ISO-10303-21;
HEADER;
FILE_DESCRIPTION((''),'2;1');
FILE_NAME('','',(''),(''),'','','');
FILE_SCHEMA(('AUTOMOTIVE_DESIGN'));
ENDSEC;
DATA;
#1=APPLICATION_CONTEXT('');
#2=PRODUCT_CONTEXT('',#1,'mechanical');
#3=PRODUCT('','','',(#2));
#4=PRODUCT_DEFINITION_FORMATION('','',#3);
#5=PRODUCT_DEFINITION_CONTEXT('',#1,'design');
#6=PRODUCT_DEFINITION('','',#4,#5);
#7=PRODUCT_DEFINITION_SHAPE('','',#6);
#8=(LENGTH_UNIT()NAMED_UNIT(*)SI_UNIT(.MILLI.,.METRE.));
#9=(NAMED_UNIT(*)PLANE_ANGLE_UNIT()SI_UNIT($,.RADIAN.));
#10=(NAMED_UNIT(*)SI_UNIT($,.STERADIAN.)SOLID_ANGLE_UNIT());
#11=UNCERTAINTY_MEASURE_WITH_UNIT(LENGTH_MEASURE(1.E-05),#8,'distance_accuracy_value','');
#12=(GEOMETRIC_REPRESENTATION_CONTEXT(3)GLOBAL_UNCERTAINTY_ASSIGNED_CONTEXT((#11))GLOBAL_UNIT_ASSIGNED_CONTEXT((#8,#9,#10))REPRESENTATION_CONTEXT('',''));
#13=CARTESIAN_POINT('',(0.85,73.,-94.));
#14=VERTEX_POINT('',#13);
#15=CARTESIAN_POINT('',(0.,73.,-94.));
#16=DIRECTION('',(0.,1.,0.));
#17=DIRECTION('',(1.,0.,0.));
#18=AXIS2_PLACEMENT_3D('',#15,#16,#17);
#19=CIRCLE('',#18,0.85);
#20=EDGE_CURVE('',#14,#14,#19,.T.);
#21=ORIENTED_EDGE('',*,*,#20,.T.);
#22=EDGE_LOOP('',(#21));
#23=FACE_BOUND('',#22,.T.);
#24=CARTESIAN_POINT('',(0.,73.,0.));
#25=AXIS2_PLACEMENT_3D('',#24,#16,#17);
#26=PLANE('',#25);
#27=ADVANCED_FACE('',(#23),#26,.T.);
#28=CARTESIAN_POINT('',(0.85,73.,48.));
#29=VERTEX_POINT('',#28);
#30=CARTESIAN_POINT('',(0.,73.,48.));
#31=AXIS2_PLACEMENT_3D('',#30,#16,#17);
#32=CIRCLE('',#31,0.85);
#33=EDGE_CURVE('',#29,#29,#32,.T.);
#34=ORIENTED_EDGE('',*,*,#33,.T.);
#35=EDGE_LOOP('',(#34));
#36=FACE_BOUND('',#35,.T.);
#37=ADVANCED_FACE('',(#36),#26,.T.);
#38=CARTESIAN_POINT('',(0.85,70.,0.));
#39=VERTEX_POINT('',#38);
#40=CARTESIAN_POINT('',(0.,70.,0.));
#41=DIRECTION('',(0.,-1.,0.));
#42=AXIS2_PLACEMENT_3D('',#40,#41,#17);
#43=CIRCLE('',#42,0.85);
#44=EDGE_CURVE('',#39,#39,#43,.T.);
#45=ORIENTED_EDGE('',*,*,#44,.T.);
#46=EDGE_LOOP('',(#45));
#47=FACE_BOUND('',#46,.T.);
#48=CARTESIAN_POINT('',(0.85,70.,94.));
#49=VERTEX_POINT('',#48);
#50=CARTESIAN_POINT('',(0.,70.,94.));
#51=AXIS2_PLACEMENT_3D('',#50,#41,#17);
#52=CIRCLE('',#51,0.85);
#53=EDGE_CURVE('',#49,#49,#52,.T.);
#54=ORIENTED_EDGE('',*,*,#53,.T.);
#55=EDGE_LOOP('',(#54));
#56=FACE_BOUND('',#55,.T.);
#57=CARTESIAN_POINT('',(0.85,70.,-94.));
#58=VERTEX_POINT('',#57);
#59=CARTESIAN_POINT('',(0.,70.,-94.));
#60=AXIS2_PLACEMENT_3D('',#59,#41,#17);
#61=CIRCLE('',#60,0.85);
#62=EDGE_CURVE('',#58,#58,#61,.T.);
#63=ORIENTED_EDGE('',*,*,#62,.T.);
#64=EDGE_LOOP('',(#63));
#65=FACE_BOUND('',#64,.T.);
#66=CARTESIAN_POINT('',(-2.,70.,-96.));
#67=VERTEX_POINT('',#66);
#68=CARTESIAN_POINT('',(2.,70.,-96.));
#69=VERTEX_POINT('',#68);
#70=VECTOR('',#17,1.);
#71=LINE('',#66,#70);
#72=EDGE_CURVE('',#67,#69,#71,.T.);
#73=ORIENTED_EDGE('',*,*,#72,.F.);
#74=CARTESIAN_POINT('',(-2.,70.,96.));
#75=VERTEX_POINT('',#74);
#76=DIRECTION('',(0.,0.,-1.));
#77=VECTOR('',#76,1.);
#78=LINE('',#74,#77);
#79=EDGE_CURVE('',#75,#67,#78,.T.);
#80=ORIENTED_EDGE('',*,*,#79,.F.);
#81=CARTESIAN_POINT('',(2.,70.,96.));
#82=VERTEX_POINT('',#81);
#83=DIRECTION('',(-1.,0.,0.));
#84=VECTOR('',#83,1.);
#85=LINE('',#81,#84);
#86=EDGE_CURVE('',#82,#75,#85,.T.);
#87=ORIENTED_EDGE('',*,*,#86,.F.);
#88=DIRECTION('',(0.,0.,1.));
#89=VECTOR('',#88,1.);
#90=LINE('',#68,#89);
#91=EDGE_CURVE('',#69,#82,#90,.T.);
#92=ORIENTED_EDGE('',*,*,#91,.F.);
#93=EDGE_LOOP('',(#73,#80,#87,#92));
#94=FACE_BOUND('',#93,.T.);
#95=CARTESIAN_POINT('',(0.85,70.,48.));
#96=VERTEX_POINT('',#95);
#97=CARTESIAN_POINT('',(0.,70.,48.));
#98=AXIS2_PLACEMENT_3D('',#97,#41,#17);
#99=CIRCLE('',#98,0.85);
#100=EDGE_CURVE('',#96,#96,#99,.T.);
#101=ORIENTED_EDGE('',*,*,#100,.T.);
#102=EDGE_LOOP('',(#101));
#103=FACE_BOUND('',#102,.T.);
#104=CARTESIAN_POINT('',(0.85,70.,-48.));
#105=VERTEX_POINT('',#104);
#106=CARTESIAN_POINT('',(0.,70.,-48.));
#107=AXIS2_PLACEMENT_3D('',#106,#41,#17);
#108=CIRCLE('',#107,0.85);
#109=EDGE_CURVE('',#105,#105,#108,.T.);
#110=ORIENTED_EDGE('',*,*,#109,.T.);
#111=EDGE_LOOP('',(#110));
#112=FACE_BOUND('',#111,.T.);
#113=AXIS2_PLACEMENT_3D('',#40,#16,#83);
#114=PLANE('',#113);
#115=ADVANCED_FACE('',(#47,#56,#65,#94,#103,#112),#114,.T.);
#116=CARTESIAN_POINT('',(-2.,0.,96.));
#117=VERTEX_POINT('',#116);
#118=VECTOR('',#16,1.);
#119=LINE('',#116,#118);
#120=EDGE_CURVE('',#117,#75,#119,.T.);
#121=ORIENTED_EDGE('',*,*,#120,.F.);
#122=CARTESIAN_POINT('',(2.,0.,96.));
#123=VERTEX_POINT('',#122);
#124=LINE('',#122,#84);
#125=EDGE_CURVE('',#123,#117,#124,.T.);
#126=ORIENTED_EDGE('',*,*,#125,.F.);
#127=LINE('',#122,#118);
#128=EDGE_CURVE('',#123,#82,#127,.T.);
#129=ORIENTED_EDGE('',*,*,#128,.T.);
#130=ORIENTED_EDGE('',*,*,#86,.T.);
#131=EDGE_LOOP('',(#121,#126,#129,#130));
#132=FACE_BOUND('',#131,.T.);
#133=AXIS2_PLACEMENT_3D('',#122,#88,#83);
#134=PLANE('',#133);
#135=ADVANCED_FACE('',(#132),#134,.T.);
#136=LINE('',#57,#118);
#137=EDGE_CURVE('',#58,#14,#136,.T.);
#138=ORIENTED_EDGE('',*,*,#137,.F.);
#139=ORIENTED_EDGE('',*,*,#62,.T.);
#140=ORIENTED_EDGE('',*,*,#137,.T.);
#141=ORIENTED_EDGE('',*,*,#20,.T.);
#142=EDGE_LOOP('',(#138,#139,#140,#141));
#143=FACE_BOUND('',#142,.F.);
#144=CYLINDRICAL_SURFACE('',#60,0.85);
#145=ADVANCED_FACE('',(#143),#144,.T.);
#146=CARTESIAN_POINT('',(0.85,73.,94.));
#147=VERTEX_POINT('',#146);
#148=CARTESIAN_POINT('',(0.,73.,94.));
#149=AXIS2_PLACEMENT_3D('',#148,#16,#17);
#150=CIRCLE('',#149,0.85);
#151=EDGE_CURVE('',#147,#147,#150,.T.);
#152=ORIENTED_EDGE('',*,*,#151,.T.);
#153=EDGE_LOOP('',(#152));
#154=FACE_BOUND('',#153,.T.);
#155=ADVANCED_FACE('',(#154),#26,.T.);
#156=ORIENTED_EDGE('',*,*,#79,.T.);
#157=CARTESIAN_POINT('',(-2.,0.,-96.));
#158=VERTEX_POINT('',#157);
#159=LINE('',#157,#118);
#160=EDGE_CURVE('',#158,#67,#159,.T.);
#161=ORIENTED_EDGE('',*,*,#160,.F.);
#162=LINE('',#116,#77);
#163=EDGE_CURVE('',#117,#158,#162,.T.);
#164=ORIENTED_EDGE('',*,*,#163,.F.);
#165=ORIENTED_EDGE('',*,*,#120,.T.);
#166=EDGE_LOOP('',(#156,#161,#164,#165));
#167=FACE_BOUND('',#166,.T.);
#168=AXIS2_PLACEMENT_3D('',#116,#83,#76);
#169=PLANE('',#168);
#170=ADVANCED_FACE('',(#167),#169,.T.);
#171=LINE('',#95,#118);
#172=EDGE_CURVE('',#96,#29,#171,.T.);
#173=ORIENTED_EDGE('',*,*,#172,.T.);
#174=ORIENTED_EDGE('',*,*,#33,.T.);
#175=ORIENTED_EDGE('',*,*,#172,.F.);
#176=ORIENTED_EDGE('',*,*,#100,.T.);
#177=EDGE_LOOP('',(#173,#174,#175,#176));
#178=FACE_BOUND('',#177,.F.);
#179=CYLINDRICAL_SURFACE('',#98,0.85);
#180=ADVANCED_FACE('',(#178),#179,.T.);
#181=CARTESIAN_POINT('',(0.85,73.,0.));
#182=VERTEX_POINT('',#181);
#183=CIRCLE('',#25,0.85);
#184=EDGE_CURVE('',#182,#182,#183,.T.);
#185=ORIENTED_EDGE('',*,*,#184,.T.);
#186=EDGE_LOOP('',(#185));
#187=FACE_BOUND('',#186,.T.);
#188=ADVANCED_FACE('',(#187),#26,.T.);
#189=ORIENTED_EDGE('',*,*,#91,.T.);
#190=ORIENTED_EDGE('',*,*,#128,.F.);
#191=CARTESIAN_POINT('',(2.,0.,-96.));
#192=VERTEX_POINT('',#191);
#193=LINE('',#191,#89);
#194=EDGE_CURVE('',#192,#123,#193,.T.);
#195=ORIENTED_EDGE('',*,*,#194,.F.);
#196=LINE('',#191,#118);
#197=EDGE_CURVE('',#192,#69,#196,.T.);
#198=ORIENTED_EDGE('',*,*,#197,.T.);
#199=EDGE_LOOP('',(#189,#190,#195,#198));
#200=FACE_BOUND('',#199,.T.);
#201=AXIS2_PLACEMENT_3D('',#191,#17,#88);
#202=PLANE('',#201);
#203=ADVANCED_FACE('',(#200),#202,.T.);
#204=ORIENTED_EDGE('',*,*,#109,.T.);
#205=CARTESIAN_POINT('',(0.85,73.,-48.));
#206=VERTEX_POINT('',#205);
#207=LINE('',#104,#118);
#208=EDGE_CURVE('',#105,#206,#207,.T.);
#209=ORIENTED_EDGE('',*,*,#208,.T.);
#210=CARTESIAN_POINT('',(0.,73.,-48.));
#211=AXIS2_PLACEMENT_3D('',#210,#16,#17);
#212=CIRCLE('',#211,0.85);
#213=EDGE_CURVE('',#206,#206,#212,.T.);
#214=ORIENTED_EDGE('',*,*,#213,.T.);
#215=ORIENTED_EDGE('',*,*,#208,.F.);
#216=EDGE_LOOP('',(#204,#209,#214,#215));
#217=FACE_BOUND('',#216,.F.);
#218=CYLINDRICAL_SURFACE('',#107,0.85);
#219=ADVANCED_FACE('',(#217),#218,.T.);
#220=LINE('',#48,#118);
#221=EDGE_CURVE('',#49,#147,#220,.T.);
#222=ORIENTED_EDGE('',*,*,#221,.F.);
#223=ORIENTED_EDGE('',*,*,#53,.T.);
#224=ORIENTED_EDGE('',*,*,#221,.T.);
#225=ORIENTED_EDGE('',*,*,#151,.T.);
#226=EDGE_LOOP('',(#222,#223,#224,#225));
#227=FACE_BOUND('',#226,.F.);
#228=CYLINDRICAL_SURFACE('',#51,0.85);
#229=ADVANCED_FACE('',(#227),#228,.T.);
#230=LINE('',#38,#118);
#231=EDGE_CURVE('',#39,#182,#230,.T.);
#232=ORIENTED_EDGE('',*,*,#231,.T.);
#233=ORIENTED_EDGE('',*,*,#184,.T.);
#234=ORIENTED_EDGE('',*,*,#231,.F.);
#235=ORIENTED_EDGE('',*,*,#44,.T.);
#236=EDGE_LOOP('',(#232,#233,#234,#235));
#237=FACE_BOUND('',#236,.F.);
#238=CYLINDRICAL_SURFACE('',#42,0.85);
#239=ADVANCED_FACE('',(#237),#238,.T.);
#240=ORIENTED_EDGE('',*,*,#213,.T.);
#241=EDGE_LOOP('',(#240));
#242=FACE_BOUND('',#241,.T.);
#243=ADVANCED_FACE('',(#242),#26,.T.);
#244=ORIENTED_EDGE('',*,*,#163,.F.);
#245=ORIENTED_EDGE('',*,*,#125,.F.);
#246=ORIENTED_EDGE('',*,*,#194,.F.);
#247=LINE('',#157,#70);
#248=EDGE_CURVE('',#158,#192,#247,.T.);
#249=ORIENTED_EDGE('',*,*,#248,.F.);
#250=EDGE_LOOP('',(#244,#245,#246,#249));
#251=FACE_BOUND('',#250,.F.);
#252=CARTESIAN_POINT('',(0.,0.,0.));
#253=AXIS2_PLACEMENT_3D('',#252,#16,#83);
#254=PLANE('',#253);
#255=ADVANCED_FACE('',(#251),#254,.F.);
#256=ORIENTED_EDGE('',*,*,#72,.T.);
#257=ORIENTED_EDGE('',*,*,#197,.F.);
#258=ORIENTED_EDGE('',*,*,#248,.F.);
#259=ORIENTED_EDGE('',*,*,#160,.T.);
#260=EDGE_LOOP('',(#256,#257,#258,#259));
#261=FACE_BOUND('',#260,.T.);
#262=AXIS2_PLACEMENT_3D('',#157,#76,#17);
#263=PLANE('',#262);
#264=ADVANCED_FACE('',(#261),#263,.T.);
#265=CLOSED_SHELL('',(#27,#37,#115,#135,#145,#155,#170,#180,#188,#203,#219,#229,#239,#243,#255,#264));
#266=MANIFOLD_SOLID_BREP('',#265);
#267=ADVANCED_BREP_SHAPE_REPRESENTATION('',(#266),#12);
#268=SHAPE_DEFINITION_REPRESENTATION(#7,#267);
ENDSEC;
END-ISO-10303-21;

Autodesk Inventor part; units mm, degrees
ref_plane "YZ Plane" through (0, 0, 0) normal (1, 0, 0) x (0, 1, 0)
ref_plane "XZ Plane" through (0, 0, 0) normal (0, 1, 0) x (-1, 0, 0)
ref_plane "XY Plane" through (0, 0, 0) normal (0, 0, 1) x (1, 0, 0)
sketch "Sketch1" plane through (0, 0, 0) normal (0, 1, 0) x (-1, 0, 0)
  line L0 (2, -96) -> (-2, -96)
  line L1 (-2, -96) -> (-2, 96)
  line L2 (-2, 96) -> (2, 96)
  line L3 (2, 96) -> (2, -96)
  line L4 (2, -96) -> (-2, 96) construction
  line L5 (-2, -96) -> (2, 96) construction
  circle A0 centre (0, 94) radius 0.85
  circle A1 centre (0, -94) radius 0.85
  circle A2 centre (0, 0) radius 0.85
  circle A3 centre (0, 48) radius 0.85
  circle A4 centre (0, -48) radius 0.85
  point P0 (0, 0)
  dimension "d0" = 192
  dimension "d1" = 4
  dimension "d2" = 1.7
  dimension "d3" = 2
  dimension "d4" = 2
  dimension "d5" = 1.7
  dimension "d6" = 2
  dimension "d7" = 2
  dimension "d8" = 1.7
  dimension "d9" = 96
  dimension "d10" = 2
  dimension "d11" = 1.7
  dimension "d12" = 2
  dimension "d13" = 48
  dimension "d14" = 1.7
  dimension "d15" = 2
  dimension "d16" = 48
extrude "MainBody" add sketch "Sketch1" along normal blind 70
sketch "Sketch2" plane through (0, 70, 0) normal (0, 1, 0) x (1, 0, 0)
  circle A0 centre (0, 0) radius 0.85
extrude "MiddlePole" add sketch "Sketch2" along normal blind 3 and the other way blind 70
sketch "Sketch3" plane through (0, 70, 0) normal (0, 1, 0) x (1, 0, 0)
  circle A0 centre (0, -48) radius 0.85
  point P0 (0, 0)
extrude "MiddleLeftPole" add sketch "Sketch3" along normal blind 3 and the other way blind 70
sketch "Sketch4" plane through (0, 70, 0) normal (0, 1, 0) x (1, 0, 0)
  circle A0 centre (0, -94) radius 0.85
  point P0 (0, 0)
extrude "LeftMostPole" add sketch "Sketch4" along normal blind 3 and the other way blind 70
sketch "Sketch5" plane through (0, 70, 0) normal (0, 1, 0) x (1, 0, 0)
  circle A0 centre (0, 48) radius 0.85
  point P0 (0, 0)
extrude "Extrusion5" add sketch "Sketch5" along normal blind 3 and the other way blind 70
sketch "Sketch6" plane through (0, 70, 0) normal (0, 1, 0) x (1, 0, 0)
  circle A0 centre (0, 94) radius 0.85
  point P0 (0, 0)
extrude "Extrusion6" add sketch "Sketch6" along normal blind 3 and the other way blind 70
properties part number "DindingKargoDepanBelakang"
